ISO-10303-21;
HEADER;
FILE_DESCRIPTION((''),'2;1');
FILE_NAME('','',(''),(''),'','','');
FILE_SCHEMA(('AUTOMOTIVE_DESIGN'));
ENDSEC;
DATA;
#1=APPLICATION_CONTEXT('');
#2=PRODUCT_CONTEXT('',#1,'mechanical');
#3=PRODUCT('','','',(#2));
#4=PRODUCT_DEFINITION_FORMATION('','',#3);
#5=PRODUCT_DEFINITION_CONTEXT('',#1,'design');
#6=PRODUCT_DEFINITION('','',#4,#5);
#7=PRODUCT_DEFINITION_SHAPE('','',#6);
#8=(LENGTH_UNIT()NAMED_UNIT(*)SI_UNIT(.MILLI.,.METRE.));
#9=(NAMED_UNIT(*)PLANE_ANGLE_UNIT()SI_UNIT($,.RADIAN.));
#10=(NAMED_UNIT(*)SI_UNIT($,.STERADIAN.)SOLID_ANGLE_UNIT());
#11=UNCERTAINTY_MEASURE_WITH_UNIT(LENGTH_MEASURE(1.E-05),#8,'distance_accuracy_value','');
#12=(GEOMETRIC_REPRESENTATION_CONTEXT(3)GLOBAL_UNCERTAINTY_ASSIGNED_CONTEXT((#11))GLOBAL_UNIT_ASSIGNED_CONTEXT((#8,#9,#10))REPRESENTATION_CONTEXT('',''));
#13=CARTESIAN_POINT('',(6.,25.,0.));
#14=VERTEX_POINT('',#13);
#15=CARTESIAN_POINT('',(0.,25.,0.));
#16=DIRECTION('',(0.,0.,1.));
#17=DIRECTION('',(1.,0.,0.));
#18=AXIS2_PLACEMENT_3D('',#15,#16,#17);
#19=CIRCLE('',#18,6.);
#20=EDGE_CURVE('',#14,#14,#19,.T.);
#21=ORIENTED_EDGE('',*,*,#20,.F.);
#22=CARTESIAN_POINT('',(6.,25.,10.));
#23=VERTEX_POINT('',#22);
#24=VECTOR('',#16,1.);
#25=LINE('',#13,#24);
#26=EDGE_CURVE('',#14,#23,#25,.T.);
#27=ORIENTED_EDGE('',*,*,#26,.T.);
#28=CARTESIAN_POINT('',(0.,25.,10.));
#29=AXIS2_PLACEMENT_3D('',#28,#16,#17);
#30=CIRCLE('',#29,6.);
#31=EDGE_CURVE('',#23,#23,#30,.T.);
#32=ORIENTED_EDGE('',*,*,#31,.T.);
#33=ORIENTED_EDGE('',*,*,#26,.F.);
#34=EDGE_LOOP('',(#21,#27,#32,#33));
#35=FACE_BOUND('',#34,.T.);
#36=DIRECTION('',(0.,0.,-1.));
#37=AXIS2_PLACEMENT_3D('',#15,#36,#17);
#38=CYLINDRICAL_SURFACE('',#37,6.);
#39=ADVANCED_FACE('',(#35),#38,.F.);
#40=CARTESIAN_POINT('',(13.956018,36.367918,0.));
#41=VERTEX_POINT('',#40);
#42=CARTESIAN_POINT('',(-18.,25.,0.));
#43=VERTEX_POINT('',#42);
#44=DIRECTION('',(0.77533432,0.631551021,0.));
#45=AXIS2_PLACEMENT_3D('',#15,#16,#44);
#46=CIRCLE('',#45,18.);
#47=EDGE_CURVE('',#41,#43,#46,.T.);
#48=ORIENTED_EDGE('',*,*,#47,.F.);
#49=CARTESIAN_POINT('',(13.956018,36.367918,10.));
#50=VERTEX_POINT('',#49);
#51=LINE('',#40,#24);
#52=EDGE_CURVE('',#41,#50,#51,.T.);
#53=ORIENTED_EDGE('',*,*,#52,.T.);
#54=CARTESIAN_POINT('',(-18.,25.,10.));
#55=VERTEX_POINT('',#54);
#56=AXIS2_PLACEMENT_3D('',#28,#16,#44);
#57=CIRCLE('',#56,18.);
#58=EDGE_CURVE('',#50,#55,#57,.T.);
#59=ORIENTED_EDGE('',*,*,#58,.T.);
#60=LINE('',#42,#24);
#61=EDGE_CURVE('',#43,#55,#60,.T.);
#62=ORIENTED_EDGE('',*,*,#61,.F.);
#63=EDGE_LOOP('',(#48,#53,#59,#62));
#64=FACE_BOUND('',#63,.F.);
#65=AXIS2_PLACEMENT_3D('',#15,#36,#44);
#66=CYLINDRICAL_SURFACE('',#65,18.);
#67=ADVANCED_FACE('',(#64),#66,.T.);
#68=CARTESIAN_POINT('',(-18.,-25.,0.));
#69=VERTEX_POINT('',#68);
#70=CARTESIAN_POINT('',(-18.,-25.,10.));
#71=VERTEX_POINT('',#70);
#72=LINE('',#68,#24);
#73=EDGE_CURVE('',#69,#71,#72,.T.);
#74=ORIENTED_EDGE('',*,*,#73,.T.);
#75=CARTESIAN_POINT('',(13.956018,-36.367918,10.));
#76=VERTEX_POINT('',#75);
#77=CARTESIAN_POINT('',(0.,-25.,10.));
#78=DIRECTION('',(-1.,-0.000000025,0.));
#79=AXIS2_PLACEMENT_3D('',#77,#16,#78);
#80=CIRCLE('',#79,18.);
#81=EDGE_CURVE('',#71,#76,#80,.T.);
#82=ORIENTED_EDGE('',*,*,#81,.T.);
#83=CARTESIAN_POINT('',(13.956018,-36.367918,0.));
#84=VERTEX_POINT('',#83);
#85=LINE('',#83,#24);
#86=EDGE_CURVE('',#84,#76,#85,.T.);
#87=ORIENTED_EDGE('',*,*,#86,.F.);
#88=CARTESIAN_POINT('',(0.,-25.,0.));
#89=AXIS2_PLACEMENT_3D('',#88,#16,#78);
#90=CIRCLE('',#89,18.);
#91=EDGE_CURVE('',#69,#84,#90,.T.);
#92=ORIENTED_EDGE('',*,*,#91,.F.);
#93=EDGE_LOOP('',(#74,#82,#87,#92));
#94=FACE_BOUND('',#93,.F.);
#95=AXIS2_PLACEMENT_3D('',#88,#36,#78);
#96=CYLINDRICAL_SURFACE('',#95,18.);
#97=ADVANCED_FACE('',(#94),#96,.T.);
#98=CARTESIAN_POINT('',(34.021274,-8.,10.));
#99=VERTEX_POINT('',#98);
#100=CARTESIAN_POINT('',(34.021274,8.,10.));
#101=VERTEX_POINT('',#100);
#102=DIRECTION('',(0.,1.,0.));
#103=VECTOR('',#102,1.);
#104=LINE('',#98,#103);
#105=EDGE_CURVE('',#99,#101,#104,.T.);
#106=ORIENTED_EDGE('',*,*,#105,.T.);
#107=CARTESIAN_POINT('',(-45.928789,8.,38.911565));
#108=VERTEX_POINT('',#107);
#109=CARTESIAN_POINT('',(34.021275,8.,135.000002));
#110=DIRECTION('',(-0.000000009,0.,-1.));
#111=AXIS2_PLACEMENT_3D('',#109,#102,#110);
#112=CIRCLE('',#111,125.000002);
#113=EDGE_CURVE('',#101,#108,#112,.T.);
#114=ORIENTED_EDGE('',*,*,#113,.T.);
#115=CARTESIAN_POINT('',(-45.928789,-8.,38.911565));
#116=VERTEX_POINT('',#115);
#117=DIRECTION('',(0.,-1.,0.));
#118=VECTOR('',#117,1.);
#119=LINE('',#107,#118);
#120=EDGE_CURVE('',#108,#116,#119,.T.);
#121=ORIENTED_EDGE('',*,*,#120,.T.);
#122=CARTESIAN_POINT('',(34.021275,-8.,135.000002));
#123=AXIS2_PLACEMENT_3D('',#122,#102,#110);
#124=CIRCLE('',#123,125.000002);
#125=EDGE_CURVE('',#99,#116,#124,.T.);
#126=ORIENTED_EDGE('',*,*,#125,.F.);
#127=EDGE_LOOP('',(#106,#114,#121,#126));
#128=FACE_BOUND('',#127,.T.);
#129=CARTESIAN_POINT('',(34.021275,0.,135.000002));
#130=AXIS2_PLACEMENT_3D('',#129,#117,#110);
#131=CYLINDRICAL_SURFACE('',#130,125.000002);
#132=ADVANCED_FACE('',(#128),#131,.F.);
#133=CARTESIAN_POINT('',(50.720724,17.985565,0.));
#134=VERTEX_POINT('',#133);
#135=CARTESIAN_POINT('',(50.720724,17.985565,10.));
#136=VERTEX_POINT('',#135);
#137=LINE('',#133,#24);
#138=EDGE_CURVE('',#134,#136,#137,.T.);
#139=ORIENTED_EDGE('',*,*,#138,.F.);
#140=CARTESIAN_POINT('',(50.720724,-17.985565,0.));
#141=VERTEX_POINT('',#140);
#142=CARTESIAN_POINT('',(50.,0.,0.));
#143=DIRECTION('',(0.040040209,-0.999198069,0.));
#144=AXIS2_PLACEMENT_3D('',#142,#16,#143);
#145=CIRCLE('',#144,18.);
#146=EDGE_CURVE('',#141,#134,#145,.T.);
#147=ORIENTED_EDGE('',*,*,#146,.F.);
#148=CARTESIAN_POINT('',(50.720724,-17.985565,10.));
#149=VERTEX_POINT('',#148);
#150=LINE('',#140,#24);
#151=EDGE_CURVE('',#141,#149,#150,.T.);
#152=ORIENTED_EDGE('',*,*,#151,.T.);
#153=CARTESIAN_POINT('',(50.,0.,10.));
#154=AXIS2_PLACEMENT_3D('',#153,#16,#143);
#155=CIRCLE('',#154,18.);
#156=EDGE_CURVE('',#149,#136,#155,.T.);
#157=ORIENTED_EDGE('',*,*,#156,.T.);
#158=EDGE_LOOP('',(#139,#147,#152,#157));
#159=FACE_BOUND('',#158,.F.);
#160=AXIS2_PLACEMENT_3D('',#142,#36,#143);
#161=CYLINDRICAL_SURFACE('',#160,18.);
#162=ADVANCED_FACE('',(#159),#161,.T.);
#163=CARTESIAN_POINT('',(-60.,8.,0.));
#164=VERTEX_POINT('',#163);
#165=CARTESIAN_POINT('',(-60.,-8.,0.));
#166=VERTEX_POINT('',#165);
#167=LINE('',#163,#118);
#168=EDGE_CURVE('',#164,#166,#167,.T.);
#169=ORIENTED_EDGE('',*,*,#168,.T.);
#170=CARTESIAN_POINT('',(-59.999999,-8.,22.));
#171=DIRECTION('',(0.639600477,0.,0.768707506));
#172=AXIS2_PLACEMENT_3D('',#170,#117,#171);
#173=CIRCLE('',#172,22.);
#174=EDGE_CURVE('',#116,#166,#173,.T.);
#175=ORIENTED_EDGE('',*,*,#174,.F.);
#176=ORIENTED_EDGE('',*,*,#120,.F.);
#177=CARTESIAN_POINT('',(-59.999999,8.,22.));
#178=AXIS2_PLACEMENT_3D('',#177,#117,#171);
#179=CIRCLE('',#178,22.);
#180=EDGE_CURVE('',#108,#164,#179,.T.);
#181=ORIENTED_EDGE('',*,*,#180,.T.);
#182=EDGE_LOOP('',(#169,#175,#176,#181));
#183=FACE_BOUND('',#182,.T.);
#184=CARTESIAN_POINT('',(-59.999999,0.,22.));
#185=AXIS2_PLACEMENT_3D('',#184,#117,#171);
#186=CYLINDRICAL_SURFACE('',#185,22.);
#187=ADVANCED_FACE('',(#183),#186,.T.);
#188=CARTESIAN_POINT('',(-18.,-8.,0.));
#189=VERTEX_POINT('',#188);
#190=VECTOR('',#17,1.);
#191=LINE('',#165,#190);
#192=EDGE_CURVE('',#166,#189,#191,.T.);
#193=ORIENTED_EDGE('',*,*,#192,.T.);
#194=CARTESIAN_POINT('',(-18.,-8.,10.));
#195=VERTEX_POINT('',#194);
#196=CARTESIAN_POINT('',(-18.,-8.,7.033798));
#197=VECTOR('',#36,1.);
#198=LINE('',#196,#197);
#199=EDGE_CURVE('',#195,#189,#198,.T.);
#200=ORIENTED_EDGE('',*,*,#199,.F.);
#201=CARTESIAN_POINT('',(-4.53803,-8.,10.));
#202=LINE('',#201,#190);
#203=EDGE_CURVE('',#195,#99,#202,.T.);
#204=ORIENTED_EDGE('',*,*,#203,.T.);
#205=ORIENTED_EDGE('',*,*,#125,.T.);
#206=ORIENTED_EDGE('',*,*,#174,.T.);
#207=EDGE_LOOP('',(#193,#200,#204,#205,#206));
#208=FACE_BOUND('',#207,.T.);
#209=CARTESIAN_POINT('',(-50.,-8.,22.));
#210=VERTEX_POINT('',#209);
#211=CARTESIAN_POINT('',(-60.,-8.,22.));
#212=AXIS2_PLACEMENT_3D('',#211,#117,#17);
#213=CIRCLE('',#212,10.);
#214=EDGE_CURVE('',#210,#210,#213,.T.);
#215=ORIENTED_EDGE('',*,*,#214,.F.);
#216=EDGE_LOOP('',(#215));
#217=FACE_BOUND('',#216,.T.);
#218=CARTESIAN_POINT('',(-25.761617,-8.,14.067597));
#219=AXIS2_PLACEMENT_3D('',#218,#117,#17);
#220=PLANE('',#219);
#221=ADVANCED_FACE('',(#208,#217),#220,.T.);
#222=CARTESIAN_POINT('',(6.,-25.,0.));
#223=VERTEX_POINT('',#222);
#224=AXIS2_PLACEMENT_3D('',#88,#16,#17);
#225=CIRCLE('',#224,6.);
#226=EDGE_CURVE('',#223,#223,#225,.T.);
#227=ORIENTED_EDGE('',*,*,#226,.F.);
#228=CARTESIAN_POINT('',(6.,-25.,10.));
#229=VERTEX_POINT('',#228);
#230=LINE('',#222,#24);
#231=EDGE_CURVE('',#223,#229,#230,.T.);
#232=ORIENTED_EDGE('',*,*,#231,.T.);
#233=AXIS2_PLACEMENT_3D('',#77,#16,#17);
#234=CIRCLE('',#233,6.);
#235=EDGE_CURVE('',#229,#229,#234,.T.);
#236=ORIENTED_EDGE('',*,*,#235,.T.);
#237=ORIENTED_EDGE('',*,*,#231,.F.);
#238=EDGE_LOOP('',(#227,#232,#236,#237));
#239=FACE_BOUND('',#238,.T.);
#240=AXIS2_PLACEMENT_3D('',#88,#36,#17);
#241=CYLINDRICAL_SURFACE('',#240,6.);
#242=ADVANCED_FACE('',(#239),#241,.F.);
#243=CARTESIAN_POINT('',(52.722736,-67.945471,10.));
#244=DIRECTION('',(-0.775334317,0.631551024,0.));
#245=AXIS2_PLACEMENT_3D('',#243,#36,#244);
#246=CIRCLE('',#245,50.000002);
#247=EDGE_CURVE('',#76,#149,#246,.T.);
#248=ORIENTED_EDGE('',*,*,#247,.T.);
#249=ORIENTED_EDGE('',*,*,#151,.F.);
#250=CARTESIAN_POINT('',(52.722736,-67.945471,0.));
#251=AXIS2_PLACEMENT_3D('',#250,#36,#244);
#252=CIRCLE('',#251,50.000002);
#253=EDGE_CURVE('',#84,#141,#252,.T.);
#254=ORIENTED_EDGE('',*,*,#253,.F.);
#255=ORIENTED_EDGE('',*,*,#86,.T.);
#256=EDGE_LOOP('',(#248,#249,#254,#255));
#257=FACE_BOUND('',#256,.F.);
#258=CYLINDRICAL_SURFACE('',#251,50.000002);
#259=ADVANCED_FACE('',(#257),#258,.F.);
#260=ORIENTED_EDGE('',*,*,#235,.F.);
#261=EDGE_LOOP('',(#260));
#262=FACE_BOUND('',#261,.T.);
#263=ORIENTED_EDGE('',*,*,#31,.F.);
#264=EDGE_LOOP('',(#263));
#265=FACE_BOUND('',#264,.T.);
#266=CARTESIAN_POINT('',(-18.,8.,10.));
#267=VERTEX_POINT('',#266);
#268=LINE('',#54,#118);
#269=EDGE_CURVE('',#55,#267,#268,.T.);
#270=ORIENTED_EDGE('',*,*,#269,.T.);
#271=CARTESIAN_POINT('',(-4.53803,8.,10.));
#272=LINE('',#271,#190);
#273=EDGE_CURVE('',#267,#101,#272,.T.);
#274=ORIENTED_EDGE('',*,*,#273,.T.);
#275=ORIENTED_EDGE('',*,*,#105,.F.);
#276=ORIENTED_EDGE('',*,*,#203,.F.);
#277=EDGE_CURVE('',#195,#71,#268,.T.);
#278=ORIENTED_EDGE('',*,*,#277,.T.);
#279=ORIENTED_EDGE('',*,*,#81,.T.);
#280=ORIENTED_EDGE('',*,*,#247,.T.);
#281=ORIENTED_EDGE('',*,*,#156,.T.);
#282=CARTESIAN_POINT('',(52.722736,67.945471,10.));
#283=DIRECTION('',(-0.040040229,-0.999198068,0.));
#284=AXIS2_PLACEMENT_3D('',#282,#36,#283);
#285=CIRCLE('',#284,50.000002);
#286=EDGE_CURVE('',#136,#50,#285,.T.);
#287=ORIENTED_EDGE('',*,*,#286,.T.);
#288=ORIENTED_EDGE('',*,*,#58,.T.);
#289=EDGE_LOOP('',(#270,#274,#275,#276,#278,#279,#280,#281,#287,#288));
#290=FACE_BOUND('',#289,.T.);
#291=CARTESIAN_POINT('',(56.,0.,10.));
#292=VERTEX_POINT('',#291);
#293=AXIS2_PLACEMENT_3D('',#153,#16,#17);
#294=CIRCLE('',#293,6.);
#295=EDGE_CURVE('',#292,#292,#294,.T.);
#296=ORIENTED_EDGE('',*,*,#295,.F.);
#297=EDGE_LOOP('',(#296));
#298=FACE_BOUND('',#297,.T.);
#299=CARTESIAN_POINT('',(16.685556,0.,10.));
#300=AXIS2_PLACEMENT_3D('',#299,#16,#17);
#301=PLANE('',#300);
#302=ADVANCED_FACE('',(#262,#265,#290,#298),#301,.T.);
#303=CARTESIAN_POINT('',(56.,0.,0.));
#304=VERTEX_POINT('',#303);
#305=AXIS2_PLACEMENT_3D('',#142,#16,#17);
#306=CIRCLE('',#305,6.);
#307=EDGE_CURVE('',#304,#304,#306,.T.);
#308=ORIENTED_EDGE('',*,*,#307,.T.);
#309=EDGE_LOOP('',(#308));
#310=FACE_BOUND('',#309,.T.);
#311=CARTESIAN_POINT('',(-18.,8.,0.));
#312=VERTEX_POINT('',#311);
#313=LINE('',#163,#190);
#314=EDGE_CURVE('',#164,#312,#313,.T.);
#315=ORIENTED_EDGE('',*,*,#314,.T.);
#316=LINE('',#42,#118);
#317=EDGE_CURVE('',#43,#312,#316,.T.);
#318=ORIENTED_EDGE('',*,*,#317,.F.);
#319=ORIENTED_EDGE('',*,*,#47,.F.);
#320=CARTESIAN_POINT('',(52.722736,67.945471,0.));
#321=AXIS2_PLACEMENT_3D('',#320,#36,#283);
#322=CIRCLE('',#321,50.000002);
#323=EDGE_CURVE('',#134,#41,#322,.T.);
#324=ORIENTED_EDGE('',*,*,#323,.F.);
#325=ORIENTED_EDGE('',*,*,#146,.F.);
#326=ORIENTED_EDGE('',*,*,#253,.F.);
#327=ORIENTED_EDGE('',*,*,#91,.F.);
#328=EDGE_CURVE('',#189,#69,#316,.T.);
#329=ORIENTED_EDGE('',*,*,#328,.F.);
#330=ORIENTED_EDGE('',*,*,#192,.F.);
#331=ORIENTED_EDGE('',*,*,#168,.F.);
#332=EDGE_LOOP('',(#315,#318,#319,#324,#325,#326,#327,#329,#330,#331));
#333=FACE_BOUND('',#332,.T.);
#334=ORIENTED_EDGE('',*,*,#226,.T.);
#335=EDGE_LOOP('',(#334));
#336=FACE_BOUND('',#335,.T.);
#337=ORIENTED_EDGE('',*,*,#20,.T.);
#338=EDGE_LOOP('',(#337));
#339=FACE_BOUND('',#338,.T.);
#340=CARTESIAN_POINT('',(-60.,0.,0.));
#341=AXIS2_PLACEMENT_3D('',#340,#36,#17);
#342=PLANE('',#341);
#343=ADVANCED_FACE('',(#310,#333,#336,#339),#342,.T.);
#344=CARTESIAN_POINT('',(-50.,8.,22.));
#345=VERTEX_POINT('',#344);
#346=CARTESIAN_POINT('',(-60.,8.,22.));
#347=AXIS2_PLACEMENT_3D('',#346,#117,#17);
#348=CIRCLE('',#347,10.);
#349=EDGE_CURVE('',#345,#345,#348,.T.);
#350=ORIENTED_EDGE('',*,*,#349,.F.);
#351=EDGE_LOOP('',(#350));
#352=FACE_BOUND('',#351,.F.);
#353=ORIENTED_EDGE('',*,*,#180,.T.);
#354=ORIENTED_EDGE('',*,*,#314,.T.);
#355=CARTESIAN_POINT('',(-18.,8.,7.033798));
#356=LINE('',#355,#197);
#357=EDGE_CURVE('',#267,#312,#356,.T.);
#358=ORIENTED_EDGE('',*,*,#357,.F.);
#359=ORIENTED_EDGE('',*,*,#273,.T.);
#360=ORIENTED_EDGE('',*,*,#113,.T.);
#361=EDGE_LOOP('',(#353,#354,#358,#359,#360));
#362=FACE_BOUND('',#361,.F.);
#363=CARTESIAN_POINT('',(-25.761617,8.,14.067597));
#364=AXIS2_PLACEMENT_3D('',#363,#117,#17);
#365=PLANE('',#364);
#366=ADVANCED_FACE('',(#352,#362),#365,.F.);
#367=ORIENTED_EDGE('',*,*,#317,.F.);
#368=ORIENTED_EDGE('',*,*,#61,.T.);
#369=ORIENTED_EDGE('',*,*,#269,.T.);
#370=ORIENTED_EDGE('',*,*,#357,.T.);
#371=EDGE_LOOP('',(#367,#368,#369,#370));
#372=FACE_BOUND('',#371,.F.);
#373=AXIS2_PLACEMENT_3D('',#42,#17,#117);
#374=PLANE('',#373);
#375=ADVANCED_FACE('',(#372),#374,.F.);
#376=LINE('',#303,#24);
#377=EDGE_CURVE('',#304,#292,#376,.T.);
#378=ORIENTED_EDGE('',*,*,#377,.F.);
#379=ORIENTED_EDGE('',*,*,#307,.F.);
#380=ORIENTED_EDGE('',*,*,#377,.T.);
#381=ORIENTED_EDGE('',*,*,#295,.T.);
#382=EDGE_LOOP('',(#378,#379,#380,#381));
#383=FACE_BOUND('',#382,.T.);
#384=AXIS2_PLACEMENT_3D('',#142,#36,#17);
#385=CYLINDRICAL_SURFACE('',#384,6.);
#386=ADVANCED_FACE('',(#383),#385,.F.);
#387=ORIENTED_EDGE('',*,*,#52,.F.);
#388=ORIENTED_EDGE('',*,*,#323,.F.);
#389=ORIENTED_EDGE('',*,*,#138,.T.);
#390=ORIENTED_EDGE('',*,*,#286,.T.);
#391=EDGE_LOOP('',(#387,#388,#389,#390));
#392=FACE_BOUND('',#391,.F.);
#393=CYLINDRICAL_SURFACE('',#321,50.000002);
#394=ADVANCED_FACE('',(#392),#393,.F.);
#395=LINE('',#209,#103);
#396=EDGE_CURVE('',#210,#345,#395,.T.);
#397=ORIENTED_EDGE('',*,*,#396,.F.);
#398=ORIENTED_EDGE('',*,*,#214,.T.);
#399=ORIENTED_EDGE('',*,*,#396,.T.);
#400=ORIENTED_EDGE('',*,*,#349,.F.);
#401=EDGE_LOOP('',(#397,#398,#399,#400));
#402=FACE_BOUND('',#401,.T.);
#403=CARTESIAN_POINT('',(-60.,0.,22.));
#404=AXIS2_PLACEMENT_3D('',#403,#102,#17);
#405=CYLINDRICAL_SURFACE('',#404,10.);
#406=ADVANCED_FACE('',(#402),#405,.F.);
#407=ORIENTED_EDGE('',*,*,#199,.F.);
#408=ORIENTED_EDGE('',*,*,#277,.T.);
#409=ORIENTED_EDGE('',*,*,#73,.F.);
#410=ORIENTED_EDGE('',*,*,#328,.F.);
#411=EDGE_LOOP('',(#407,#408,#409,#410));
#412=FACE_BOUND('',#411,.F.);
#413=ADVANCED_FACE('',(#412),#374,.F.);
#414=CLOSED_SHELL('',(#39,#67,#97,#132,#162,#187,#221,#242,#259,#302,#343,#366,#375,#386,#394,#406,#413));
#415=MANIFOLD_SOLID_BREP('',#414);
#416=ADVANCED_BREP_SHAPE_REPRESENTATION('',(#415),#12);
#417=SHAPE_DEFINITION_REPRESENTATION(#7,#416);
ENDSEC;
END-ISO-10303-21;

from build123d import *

# Parameters (mm, degrees)
F0_R     = 6
F1_DEPTH = 10
F2_R     = 10
F3_DEPTH = 8


with BuildPart() as f1:
    # F0 (on Top) → F1 (new body)
    with BuildSketch(Plane.XY):
        with BuildLine():
            ThreePointArc((50.720724, 17.985565), (30.362055, 23.224109), (13.956018, 36.367918))
            ThreePointArc((13.956018, 36.367918), (-6.032896, 41.958896), (-18, 25))
            Line((-18, 25), (-18, -25))
            ThreePointArc((-18, -25), (-6.032896, -41.958896), (13.956018, -36.367918))
            ThreePointArc((13.956018, -36.367918), (30.362055, -23.224109), (50.720724, -17.985565))
            ThreePointArc((50.720724, -17.985565), (68, 0), (50.720724, 17.985565))
        make_face()
        with Locations((0, -25)):
            Circle(F0_R, mode=Mode.SUBTRACT)
        with Locations((0, 25)):
            Circle(F0_R, mode=Mode.SUBTRACT)
        with Locations((50, 0)):
            Circle(F0_R, mode=Mode.SUBTRACT)
    extrude(amount=F1_DEPTH)

    # F2 (on Front) → F3 (join, symmetric)
    with BuildSketch(Plane.XZ):
        with BuildLine():
            ThreePointArc((34.021274, 10), (-8.487228, 17.449895), (-45.928789, 38.911565))
            ThreePointArc((-45.928789, 38.911565), (-80.688818, 29.481496), (-60, 0))
            Line((-60, 0), (0, 0))
            Line((0, 0), (34.021274, 0))
            Line((34.021274, 0), (34.021274, 10))
        make_face()
        with Locations((-60, 22)):
            Circle(F2_R, mode=Mode.SUBTRACT)
    extrude(amount=F3_DEPTH, both=True)


solid = f1.part
